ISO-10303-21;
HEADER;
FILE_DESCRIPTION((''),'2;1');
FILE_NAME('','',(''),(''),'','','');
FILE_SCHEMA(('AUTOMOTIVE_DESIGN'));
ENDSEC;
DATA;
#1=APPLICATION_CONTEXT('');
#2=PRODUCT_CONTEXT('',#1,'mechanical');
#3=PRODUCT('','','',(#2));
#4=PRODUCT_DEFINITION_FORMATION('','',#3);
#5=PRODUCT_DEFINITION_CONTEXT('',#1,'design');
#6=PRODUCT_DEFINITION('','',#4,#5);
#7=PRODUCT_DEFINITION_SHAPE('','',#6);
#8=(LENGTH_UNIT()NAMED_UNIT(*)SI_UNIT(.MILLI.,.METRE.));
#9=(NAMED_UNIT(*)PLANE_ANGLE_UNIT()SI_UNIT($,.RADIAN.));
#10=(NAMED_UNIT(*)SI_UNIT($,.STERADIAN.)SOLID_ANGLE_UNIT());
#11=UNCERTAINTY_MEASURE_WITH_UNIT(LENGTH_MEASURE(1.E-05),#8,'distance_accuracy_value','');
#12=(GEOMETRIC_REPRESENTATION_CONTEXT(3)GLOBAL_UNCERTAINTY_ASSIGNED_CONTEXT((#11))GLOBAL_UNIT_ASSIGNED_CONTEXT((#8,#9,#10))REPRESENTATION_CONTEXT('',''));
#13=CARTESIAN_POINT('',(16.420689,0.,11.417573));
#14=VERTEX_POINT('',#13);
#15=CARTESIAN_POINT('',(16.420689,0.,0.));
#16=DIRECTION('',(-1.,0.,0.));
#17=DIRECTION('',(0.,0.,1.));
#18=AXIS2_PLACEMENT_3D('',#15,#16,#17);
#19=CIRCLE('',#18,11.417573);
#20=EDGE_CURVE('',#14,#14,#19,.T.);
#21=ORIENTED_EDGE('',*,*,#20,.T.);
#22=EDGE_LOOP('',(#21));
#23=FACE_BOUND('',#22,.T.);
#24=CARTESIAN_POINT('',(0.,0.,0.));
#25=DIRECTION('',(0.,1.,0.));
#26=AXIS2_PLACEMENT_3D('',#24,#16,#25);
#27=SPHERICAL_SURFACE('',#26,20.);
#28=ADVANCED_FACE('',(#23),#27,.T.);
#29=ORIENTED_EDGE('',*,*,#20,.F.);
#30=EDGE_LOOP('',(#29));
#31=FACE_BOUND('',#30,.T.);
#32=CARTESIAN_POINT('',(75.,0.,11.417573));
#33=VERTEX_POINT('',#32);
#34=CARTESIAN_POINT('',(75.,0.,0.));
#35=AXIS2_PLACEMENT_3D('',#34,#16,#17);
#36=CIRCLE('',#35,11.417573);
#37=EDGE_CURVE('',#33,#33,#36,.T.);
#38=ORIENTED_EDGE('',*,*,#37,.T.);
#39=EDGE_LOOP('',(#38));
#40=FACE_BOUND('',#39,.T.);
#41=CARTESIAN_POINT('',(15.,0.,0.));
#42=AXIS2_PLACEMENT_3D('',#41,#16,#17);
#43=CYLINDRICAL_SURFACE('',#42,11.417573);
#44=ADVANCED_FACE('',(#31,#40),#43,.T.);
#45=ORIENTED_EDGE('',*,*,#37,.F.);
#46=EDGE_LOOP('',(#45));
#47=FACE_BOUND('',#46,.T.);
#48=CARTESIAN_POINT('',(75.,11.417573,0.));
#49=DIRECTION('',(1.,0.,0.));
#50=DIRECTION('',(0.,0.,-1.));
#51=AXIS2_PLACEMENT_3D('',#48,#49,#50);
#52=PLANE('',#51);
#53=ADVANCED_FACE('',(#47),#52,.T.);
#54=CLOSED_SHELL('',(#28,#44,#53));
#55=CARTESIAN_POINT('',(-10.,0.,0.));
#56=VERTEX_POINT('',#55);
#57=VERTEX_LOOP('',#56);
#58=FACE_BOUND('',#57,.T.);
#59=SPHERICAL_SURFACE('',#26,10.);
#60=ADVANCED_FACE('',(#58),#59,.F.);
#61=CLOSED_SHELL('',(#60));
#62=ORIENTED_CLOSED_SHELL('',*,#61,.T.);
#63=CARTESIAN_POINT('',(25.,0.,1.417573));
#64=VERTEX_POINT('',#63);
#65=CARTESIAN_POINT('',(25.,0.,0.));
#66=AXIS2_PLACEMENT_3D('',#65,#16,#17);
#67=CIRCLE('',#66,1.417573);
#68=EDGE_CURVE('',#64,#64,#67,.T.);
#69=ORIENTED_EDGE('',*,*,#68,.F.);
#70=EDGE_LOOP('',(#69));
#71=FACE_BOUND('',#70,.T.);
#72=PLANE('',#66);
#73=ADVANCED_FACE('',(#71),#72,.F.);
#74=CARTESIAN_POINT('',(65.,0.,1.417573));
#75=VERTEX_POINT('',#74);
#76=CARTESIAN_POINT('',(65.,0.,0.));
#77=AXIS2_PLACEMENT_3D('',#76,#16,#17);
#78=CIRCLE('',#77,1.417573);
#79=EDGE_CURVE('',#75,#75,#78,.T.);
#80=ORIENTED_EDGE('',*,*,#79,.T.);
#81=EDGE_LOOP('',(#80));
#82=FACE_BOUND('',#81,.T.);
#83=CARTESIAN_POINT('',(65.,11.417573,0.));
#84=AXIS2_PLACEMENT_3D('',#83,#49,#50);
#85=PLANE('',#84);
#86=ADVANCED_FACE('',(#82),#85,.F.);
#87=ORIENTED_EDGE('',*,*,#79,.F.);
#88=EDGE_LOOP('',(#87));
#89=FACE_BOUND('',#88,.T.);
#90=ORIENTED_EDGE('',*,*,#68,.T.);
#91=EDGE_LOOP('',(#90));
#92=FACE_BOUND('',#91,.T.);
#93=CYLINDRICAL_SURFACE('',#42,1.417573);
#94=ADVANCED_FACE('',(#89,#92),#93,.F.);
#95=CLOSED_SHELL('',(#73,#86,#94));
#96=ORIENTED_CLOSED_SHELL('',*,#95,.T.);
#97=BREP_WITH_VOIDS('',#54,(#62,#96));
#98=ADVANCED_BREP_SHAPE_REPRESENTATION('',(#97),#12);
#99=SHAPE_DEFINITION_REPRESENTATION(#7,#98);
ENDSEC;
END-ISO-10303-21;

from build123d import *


with BuildPart() as part:
    # Sketch2 → Revolve-Thin1 (revolve)
    with BuildSketch(Plane.XY):
        with BuildLine():
            ThreePointArc((10, 0), (0, 10), (-10, 0))
            Line((-10, 0), (-20, 0))
            ThreePointArc((-20, 0), (0, 20), (20, 0))
            Line((20, 0), (10, 0))
        make_face()
    revolve(axis=Axis((-10, 0, 0), (1, 0, 0)))

    # Sketch3 → Revolve-Thin2 (revolve)
    with BuildSketch(Plane.XY):
        Polygon((15, 0), (15, 11.417573163), (75, 11.417573163), (75, 0), (65, 0), (65, 1.417573163), (25, 1.417573163), (25, 0), align=None)
    revolve(axis=Axis((15, 0, 0), (1, 0, 0)))


solid = part.part
